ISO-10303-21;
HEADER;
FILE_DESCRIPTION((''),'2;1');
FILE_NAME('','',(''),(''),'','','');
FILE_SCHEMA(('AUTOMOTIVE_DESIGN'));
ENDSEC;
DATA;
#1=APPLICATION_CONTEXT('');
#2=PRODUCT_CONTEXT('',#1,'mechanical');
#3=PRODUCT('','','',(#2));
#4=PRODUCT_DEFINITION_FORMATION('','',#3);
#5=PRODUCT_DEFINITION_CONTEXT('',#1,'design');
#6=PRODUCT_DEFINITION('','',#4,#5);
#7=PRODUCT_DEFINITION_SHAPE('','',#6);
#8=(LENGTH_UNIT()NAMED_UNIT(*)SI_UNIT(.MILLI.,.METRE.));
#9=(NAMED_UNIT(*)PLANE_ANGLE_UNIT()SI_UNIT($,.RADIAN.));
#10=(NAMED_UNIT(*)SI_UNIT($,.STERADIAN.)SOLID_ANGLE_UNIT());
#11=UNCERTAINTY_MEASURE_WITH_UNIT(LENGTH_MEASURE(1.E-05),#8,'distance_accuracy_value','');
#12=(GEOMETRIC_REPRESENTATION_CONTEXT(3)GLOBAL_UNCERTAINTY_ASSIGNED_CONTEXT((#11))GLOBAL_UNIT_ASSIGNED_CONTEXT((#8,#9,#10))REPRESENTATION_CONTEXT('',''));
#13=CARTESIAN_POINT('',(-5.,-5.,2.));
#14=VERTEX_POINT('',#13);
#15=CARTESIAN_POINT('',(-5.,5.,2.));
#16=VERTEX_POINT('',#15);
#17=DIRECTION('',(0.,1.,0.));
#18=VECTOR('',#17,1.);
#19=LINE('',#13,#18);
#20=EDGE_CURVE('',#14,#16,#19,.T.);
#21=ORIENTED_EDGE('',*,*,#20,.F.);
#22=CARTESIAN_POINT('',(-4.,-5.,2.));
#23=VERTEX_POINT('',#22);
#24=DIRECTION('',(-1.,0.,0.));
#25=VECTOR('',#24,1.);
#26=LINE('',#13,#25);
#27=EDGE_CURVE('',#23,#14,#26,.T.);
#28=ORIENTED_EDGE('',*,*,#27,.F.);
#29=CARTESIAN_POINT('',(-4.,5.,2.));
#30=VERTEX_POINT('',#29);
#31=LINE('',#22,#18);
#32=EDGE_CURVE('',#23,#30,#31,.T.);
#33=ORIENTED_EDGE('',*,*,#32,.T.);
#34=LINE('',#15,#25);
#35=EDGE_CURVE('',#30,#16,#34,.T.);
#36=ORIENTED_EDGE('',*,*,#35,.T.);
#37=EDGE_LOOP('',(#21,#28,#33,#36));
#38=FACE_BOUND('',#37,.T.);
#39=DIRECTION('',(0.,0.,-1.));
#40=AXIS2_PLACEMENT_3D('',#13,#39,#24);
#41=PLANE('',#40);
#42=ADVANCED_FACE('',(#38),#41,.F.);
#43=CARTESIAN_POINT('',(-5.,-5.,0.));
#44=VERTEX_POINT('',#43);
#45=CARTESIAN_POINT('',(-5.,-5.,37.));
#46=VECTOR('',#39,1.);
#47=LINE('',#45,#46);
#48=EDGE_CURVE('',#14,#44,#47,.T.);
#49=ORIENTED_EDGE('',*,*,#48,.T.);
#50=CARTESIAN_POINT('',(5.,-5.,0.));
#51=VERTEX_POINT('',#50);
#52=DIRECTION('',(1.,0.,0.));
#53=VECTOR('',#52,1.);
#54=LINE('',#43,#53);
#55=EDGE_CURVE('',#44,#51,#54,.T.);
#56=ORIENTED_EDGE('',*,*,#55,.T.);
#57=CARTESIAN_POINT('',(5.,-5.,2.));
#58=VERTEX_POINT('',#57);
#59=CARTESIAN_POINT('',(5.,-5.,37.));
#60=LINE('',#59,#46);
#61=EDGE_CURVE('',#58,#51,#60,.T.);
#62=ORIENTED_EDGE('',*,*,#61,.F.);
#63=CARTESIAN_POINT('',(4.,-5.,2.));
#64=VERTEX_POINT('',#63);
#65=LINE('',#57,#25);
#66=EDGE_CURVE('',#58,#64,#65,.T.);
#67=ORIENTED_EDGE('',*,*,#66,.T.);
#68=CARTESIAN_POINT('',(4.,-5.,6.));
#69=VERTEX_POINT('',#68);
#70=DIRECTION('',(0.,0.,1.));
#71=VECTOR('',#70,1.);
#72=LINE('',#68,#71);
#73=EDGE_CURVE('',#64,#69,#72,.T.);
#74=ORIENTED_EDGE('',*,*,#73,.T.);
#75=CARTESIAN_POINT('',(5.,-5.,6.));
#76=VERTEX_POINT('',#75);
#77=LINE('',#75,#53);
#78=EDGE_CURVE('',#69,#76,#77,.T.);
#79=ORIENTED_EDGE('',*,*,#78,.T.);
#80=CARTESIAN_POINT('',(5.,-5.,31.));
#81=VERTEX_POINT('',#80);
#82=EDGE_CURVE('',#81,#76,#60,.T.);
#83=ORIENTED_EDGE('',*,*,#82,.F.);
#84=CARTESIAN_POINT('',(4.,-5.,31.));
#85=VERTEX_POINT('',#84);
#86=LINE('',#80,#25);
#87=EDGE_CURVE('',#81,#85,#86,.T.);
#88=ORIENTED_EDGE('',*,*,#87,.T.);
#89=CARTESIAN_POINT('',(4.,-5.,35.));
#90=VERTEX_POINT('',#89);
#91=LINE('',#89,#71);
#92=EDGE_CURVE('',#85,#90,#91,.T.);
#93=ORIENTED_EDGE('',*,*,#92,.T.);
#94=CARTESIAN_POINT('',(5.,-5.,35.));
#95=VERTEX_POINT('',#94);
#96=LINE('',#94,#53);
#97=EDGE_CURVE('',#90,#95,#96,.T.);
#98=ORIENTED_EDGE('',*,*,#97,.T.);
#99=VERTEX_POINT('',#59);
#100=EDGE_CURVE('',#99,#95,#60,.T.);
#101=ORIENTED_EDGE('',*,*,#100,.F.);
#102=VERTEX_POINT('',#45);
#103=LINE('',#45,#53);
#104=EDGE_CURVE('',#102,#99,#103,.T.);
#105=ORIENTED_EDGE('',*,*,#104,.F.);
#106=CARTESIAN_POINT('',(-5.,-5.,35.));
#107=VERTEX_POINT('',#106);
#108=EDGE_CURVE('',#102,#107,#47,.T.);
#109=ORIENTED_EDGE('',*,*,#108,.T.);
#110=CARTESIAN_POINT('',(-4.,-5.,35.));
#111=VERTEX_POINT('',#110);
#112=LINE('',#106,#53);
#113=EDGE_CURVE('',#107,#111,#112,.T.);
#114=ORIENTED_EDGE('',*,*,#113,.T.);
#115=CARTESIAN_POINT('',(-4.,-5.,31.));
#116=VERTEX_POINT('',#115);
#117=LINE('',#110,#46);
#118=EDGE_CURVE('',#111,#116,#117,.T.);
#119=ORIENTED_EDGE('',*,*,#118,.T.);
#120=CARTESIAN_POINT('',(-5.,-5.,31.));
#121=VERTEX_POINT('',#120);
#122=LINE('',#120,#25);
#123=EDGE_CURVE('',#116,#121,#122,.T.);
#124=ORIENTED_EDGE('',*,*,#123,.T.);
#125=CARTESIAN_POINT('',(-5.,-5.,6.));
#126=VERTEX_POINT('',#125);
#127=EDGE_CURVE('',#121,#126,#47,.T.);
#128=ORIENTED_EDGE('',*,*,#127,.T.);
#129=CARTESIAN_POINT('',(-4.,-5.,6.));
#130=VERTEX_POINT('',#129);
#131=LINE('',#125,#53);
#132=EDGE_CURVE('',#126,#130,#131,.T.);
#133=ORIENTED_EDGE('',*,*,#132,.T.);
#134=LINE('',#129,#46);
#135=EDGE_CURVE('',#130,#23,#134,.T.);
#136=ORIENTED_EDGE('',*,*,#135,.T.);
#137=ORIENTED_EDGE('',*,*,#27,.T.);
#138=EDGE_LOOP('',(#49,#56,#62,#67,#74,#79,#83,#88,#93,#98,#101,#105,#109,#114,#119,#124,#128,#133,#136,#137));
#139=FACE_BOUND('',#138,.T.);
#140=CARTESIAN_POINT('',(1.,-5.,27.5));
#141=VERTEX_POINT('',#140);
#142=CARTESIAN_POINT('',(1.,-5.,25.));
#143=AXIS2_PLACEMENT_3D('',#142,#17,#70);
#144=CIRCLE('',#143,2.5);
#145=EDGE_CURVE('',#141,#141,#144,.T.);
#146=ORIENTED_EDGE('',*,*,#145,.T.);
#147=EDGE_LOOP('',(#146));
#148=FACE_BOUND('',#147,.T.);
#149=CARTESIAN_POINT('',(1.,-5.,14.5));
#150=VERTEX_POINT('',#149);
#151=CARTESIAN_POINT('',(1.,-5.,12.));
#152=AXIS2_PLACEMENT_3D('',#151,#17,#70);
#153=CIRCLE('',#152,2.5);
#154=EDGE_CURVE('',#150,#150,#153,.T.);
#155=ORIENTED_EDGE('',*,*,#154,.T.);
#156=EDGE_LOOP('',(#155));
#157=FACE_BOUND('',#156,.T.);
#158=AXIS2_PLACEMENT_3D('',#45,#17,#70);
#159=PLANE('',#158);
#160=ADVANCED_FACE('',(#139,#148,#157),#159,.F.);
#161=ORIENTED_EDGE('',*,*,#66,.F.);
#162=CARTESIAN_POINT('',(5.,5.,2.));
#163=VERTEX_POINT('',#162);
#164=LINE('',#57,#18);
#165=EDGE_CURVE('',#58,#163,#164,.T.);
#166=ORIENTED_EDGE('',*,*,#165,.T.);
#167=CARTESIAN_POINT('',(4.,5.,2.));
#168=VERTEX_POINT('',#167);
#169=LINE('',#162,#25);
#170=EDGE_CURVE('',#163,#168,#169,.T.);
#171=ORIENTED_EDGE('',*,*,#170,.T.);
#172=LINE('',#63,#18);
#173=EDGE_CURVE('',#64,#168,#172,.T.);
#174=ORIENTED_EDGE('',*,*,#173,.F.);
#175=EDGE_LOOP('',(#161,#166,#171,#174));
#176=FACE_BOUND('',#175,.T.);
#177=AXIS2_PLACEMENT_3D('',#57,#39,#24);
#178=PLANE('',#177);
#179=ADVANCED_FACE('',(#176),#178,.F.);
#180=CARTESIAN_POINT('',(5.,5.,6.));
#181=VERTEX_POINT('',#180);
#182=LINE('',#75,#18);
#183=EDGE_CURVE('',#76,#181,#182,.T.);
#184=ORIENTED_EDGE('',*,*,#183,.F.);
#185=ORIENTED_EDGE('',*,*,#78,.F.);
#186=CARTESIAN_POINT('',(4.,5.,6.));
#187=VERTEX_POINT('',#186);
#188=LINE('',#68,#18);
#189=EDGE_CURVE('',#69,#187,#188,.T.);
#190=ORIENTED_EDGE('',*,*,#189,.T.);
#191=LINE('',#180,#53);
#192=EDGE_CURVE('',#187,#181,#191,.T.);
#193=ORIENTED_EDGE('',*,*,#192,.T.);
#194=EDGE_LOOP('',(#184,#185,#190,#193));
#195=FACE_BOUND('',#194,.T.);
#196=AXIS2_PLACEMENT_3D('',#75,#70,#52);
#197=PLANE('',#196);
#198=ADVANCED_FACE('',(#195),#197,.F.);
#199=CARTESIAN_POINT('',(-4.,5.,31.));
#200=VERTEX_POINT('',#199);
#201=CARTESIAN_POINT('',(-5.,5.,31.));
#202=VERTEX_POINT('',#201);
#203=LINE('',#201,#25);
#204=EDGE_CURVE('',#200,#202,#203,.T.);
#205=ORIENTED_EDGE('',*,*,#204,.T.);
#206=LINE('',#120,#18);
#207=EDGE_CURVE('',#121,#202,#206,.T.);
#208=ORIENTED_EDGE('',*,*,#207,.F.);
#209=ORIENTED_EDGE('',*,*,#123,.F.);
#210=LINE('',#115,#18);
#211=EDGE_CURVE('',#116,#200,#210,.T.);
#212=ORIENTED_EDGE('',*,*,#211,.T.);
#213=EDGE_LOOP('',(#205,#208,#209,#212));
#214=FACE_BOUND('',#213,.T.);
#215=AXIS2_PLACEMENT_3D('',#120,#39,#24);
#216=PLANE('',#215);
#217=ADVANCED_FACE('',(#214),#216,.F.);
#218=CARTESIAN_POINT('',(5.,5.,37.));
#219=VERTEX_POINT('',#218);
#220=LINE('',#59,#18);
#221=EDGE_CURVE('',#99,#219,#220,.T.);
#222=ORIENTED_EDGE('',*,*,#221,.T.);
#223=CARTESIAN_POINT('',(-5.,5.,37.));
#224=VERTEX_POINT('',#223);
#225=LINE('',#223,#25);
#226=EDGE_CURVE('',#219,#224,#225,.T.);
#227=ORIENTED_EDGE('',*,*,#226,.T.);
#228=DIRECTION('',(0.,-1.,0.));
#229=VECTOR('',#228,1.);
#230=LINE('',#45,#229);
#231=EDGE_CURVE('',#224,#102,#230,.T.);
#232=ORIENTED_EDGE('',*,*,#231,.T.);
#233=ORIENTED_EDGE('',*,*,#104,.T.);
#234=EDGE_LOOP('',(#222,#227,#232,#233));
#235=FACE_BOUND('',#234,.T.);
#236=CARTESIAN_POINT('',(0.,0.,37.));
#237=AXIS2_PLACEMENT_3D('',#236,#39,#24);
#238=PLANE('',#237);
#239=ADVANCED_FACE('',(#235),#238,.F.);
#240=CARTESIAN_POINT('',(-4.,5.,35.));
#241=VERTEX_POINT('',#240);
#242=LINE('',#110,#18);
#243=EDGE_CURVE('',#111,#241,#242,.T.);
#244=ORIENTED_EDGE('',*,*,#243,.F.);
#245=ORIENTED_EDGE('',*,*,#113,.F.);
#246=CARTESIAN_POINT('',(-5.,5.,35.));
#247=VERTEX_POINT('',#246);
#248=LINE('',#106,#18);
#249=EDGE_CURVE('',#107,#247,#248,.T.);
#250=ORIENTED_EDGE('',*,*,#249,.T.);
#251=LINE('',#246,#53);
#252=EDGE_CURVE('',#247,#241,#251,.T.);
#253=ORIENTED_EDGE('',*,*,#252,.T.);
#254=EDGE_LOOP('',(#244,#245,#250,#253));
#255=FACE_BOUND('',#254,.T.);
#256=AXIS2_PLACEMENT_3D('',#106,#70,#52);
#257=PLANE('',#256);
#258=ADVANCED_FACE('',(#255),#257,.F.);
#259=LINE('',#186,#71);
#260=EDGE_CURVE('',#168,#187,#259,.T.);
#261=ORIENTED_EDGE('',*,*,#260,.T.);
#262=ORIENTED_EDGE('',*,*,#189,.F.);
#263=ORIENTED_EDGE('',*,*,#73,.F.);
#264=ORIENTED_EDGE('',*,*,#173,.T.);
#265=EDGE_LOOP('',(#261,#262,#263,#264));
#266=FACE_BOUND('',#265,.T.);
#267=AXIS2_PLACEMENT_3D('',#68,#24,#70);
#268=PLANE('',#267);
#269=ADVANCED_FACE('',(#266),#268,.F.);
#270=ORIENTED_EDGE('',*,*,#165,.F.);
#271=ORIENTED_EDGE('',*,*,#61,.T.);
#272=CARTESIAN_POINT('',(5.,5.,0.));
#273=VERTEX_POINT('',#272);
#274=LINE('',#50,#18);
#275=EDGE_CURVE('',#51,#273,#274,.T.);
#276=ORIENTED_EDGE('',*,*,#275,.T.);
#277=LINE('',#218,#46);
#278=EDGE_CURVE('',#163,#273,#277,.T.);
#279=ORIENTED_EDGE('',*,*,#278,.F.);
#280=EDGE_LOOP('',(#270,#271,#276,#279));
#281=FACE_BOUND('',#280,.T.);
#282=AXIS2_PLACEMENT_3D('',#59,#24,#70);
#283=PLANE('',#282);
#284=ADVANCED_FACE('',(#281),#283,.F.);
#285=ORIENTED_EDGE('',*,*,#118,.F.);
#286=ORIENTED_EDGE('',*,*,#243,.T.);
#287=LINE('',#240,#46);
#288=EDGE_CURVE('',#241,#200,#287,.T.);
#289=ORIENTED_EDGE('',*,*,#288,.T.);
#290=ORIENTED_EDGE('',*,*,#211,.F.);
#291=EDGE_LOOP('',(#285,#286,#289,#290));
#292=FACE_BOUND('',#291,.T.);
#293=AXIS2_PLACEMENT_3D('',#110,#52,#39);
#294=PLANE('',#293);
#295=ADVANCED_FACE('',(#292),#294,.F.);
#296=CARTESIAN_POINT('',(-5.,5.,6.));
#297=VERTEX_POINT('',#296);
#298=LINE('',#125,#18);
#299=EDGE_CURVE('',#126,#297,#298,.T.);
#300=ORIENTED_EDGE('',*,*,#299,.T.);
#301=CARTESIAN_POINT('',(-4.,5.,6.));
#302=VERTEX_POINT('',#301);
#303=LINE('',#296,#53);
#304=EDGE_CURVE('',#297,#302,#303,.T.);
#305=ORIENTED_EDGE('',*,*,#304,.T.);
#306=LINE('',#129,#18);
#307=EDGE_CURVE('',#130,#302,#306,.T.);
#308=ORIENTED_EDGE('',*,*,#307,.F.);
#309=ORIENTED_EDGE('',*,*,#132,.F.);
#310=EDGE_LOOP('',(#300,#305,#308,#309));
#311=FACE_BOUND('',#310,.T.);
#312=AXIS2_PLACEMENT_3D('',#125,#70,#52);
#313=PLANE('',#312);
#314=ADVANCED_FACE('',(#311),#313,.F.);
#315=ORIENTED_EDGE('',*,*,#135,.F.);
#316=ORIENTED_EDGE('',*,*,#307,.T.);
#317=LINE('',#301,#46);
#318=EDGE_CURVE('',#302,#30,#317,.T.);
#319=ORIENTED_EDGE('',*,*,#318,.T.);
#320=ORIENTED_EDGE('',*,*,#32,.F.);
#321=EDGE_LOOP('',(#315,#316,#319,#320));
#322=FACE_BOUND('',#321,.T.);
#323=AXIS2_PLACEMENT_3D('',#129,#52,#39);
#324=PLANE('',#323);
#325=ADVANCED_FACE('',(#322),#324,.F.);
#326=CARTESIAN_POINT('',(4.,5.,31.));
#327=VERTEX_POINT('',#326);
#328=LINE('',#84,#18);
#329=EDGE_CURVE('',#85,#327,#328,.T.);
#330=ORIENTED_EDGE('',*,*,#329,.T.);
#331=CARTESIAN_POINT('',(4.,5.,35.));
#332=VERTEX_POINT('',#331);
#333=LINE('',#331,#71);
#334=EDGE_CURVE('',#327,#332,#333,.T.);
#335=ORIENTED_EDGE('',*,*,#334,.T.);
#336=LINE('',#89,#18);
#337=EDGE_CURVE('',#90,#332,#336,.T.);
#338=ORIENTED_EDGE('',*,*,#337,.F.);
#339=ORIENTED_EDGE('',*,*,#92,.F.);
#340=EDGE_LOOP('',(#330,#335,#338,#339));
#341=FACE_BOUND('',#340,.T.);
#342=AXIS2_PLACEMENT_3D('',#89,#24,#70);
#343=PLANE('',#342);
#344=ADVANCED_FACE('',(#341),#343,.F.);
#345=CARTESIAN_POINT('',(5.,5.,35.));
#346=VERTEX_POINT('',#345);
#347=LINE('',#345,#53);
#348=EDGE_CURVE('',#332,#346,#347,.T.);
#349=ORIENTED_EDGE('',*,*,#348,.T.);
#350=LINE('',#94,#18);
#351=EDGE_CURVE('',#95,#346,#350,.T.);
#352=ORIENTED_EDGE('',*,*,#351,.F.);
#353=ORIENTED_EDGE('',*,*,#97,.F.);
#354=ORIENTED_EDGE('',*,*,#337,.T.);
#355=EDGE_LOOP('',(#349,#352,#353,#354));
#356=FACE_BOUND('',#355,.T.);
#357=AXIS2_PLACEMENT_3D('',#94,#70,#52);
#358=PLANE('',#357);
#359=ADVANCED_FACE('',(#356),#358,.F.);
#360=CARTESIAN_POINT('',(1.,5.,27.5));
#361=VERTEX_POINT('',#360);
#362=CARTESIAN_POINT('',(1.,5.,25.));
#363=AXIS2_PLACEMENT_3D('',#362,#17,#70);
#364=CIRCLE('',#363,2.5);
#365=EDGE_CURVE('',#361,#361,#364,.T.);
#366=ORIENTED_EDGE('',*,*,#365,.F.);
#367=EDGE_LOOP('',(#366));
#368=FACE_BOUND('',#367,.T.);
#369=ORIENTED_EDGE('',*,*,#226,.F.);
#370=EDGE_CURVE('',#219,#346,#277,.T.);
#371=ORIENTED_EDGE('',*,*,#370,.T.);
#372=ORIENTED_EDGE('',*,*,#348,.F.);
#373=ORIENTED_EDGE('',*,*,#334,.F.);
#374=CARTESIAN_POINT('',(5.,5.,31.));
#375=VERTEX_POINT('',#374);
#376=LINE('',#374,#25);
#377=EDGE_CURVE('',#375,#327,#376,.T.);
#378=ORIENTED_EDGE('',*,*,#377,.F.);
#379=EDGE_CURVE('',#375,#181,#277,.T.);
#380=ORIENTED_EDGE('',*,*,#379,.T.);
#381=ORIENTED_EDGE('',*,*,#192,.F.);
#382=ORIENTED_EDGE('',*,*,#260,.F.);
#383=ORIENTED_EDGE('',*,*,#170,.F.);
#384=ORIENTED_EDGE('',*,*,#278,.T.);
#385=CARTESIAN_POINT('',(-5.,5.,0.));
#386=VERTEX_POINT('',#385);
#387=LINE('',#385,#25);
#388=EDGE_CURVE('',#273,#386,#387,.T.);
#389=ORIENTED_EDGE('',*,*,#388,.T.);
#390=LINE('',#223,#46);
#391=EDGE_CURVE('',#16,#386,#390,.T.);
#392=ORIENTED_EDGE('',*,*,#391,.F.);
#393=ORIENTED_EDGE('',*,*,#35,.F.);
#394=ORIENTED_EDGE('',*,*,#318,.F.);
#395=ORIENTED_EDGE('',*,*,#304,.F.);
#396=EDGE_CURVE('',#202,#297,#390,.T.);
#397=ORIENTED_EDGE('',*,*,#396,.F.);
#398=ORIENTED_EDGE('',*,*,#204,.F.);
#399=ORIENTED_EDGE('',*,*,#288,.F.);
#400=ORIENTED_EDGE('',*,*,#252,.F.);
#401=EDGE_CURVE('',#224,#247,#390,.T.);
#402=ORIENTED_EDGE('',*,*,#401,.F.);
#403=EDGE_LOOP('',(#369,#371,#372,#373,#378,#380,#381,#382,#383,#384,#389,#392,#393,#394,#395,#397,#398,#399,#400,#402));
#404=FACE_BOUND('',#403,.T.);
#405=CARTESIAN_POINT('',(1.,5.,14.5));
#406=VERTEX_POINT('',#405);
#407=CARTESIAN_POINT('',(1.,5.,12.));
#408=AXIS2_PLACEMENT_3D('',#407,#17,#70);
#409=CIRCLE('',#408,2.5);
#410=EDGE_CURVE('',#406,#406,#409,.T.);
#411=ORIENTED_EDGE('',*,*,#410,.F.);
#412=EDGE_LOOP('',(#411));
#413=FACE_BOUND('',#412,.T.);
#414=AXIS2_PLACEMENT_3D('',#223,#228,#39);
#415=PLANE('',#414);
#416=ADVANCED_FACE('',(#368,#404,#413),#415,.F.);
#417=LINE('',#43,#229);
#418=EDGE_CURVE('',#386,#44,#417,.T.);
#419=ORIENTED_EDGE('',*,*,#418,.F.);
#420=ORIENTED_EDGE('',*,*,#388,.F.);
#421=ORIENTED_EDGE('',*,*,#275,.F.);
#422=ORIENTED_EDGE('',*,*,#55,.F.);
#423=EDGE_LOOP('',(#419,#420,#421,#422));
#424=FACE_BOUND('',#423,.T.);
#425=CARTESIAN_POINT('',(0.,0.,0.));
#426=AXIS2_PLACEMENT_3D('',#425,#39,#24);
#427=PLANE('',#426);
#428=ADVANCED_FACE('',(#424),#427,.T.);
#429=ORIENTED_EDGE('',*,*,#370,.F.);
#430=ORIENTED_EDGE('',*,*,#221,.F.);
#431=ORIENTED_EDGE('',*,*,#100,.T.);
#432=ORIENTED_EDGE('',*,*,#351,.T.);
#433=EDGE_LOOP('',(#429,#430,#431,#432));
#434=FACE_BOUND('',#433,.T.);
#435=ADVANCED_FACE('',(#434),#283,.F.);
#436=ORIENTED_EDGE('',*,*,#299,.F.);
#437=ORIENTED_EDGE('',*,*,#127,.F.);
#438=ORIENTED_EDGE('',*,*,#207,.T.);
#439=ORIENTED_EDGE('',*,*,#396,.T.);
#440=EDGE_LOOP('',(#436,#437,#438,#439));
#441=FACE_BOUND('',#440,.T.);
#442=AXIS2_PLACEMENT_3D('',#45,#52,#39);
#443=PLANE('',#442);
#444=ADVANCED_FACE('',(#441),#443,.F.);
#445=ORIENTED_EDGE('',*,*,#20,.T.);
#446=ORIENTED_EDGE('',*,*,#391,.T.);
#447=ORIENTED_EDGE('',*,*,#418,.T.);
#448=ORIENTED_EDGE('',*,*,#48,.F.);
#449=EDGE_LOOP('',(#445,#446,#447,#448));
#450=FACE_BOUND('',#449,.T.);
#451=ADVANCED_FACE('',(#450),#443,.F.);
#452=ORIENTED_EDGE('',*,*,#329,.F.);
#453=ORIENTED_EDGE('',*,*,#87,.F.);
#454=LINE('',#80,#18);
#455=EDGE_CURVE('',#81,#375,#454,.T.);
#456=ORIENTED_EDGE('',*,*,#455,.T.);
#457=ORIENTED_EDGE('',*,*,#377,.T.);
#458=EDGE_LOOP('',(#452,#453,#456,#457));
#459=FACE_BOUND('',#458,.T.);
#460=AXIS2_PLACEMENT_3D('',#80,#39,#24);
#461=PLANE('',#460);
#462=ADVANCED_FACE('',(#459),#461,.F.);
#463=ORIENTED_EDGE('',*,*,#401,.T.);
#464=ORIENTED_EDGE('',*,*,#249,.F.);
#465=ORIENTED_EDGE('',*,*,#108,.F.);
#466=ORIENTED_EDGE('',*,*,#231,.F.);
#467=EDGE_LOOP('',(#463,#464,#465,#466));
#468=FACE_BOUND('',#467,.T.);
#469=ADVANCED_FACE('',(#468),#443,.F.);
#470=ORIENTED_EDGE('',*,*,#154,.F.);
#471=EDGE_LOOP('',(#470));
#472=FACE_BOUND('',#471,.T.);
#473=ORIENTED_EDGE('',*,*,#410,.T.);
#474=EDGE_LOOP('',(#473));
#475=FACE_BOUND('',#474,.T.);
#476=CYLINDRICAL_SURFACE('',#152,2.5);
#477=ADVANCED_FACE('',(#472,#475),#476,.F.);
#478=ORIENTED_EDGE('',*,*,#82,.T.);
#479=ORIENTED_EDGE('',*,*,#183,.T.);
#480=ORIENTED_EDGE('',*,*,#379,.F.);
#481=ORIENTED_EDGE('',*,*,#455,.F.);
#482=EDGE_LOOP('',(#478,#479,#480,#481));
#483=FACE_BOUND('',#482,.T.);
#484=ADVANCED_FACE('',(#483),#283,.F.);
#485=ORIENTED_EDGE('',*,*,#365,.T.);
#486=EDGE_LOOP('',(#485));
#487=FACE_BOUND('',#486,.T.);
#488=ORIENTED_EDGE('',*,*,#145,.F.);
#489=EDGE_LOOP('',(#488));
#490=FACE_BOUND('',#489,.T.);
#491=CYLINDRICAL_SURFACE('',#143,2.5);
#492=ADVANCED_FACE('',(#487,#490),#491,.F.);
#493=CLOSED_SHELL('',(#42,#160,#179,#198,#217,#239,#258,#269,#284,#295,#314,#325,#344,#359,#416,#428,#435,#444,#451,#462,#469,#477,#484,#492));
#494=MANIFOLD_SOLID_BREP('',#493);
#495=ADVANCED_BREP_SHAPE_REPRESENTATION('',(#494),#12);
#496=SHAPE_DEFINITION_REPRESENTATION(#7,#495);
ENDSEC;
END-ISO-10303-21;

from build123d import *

# Parameters (mm, degrees)
CROQUIS1_W              = 10
CROQUIS1_H              = 10
SALIENTE_EXTRUIR1_DEPTH = 37
CROQUIS2_R              = 2.5
CORTAR_EXTRUIR1_DEPTH   = 39.65229618
CROQUIS4_W              = 1
CROQUIS4_H              = 4
CORTAR_EXTRUIR2_DEPTH   = 39.65229618


with BuildPart() as part:
    # Croquis1 → Saliente-Extruir1 (new body)
    with BuildSketch(Plane.XY):
        Rectangle(CROQUIS1_W, CROQUIS1_H)
    extrude(amount=SALIENTE_EXTRUIR1_DEPTH)

    # Croquis2 → Cortar-Extruir1 (cut, through all)
    with BuildSketch(Plane(origin=(0, 5, 0), x_dir=(1, 0, 0), z_dir=(0, 1, 0))):
        with Locations(Location((1, -12, 0), (0, 0, 270))):
            Circle(CROQUIS2_R)
        with Locations(Location((1, -25, 0), (0, 0, 270))):
            Circle(CROQUIS2_R)
    extrude(amount=-CORTAR_EXTRUIR1_DEPTH, mode=Mode.SUBTRACT)

    # Croquis4 → Cortar-Extruir2 (cut, through all)
    with BuildSketch(Plane(origin=(0, 5, 0), x_dir=(1, 0, 0), z_dir=(0, 1, 0))):
        with Locations((-4.5, -33)):
            Rectangle(CROQUIS4_W, CROQUIS4_H)
        with Locations((4.5, -33)):
            Rectangle(CROQUIS4_W, CROQUIS4_H)
        with Locations((4.5, -4)):
            Rectangle(CROQUIS4_W, CROQUIS4_H)
        with Locations((-4.5, -4)):
            Rectangle(CROQUIS4_W, CROQUIS4_H)
    extrude(amount=-CORTAR_EXTRUIR2_DEPTH, mode=Mode.SUBTRACT)


solid = part.part
